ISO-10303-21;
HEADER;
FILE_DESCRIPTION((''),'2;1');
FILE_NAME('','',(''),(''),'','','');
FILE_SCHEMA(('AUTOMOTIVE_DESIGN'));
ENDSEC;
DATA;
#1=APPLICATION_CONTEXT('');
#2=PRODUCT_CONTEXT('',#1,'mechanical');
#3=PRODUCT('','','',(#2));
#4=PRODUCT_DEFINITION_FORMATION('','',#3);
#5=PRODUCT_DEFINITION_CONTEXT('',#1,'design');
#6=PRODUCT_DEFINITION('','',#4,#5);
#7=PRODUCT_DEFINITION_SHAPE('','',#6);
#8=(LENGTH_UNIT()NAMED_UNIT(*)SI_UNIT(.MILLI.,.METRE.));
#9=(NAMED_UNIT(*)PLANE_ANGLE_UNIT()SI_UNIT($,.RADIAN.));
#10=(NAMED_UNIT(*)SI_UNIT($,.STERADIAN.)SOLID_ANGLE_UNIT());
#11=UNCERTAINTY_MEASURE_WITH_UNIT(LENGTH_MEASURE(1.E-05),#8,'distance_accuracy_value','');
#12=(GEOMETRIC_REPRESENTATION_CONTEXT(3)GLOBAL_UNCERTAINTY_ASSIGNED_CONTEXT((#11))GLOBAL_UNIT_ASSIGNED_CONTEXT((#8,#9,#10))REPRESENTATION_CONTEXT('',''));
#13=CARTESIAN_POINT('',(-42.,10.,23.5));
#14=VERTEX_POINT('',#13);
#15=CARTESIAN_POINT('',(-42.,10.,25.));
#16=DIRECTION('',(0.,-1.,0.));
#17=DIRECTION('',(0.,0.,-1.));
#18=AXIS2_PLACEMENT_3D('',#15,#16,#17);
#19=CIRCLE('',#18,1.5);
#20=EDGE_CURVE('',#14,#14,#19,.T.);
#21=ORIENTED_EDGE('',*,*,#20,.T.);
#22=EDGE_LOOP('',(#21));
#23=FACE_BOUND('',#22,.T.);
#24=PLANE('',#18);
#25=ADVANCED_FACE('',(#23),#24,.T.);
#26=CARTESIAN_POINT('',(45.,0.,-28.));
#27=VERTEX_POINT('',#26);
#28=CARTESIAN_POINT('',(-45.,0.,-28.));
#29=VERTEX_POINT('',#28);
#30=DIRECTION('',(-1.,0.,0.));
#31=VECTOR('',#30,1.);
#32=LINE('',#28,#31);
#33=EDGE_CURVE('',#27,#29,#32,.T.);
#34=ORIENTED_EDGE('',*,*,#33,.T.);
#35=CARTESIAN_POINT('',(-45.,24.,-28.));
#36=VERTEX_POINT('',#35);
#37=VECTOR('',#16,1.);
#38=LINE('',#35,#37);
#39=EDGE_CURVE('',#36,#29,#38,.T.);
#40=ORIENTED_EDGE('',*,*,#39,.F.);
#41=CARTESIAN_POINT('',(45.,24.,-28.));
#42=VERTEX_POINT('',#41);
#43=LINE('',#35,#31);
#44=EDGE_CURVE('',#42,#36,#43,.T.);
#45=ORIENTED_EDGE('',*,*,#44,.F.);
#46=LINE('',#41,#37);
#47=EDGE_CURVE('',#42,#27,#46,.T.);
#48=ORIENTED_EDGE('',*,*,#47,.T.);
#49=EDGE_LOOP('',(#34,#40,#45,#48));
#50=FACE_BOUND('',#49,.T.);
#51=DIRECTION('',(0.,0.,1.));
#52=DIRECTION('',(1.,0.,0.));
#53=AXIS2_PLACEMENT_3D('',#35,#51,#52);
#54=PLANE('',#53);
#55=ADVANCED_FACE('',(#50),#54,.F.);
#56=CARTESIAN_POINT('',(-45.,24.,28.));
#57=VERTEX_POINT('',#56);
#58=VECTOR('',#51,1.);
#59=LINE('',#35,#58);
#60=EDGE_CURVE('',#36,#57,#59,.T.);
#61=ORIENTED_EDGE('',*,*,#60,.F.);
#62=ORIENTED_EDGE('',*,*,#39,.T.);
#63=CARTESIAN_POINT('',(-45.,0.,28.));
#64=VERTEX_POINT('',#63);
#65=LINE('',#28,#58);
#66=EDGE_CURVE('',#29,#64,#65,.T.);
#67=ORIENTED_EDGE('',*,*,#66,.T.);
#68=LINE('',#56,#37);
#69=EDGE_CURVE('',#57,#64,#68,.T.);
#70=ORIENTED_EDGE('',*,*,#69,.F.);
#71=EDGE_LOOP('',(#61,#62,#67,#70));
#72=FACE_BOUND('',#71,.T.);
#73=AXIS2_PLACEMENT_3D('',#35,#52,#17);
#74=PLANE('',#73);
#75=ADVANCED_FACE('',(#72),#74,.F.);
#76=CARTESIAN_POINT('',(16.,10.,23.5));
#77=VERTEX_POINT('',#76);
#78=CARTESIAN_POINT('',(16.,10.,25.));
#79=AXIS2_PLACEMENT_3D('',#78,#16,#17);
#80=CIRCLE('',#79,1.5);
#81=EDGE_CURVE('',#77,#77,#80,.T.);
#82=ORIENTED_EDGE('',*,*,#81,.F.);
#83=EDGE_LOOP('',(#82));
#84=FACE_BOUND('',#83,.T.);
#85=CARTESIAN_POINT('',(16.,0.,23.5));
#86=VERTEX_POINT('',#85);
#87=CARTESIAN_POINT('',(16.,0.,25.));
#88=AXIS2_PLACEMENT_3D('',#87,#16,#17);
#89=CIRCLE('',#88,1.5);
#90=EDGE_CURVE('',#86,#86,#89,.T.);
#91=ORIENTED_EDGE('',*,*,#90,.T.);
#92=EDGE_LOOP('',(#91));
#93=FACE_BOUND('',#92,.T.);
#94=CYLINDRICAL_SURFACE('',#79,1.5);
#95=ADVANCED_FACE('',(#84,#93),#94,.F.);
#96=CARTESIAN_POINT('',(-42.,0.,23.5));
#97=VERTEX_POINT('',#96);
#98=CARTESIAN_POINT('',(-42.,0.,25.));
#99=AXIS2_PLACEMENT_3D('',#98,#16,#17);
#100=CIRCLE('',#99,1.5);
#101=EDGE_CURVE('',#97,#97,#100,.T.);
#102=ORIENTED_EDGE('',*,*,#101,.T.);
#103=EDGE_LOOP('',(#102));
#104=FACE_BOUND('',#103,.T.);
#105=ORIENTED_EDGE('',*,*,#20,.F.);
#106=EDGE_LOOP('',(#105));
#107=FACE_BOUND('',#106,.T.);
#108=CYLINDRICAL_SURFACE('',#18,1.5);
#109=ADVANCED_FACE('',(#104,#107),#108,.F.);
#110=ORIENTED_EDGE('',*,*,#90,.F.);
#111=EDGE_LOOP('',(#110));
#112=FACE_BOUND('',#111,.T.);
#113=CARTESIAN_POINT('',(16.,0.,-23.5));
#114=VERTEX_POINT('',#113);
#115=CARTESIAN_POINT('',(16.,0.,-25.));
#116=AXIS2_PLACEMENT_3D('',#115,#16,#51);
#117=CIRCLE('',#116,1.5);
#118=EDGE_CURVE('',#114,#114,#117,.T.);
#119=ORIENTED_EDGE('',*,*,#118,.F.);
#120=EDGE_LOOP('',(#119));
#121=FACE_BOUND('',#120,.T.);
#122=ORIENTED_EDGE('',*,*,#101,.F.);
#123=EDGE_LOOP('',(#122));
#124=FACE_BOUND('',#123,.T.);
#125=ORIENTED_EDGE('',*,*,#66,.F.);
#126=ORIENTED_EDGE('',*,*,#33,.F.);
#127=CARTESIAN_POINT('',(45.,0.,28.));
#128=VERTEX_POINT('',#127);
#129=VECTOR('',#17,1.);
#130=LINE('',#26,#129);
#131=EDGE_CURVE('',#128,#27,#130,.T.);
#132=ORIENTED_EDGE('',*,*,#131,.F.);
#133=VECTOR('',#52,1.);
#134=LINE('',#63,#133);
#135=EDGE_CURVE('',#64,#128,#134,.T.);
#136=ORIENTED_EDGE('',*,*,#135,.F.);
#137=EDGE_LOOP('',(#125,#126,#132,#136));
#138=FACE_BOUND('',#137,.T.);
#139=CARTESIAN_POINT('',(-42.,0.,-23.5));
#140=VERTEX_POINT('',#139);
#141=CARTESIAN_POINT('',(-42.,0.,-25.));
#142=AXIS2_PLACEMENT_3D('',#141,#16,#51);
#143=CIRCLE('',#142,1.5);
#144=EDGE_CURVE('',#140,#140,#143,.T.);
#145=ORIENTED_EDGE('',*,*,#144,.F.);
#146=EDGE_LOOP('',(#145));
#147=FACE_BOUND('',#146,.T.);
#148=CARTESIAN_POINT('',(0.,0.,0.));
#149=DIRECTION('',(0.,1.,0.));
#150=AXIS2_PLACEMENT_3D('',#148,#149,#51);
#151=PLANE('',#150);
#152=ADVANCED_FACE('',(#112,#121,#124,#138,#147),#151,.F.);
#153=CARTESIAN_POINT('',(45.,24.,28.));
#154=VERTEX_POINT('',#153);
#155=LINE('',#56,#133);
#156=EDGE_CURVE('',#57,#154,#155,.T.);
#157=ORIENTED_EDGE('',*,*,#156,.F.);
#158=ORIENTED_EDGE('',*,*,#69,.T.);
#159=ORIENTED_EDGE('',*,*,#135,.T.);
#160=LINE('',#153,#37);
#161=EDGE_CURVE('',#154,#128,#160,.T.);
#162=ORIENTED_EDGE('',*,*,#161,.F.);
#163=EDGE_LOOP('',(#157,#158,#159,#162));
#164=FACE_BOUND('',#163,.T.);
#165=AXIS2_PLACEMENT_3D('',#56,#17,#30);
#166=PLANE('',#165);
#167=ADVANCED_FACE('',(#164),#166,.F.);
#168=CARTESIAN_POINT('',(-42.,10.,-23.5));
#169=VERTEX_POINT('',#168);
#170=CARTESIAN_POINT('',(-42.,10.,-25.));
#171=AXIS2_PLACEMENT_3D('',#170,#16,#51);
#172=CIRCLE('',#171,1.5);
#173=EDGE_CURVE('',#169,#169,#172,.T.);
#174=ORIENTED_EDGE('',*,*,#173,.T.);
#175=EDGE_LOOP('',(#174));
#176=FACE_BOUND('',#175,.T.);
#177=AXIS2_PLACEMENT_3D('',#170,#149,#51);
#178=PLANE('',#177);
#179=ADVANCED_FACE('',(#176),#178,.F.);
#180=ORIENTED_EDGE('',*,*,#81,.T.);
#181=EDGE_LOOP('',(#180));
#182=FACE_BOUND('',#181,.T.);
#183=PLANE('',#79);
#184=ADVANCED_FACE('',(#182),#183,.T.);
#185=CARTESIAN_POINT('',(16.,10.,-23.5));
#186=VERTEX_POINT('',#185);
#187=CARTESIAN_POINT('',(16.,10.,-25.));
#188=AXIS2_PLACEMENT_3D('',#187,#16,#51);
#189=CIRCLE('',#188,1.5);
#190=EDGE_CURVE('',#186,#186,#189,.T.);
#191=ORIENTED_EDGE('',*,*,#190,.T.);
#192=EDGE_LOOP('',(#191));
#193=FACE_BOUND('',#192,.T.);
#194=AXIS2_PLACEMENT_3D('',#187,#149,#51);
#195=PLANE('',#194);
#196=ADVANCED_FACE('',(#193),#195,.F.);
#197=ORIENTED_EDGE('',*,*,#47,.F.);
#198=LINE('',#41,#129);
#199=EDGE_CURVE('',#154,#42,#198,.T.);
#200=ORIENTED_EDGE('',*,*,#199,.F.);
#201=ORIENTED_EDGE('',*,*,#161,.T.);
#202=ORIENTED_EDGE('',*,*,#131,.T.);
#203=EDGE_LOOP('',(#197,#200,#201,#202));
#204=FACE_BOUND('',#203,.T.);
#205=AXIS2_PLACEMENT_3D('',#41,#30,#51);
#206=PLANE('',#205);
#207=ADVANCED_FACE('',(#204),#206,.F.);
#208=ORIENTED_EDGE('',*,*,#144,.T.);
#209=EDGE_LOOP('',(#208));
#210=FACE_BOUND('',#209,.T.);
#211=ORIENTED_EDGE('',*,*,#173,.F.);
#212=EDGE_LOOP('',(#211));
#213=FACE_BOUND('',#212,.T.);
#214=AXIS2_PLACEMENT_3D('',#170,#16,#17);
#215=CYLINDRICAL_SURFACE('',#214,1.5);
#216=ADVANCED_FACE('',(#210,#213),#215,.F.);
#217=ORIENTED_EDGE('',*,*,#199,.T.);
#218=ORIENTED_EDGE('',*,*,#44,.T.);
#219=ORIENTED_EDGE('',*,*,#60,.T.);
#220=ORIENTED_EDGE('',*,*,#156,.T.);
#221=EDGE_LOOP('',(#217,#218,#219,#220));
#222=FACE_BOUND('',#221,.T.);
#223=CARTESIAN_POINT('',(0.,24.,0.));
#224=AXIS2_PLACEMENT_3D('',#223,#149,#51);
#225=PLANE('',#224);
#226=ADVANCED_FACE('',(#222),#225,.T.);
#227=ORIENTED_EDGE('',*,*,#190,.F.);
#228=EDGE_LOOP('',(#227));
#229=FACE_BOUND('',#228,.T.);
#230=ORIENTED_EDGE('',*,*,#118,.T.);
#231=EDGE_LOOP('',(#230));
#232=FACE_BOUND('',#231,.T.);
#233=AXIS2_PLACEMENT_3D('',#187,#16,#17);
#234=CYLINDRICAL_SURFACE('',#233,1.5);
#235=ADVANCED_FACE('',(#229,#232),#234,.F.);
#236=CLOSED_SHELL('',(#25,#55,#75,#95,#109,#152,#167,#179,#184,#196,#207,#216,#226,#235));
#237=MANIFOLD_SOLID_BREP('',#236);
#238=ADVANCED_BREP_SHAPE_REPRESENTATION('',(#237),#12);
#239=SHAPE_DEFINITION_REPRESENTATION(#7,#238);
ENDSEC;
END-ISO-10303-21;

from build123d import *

# Parameters (mm, degrees)
SKETCH_1_W            = 90
SKETCH_1_H            = 56
EXTRUDE_1_DEPTH       = 24
SKETCH_2_R            = 1.5
CUT_EXTRUDE_697_DEPTH = 10


with BuildPart() as part:
    # 草图1 → 凸台-拉伸1 (new body)
    with BuildSketch(Plane(origin=(0, 0, 0), x_dir=(1, 0, 0), z_dir=(0, 1, 0))):
        Rectangle(SKETCH_1_W, SKETCH_1_H)
    extrude(amount=EXTRUDE_1_DEPTH)

    # 草图2 → Cut-Extrude 697 (cut)
    with BuildSketch(Plane.XZ):
        with Locations((-42, 25)):
            Circle(SKETCH_2_R)
        with Locations((16, 25)):
            Circle(SKETCH_2_R)
        with Locations((16, -25)):
            Circle(SKETCH_2_R)
        with Locations((-42, -25)):
            Circle(SKETCH_2_R)
    extrude(amount=-CUT_EXTRUDE_697_DEPTH, mode=Mode.SUBTRACT)


solid = part.part
